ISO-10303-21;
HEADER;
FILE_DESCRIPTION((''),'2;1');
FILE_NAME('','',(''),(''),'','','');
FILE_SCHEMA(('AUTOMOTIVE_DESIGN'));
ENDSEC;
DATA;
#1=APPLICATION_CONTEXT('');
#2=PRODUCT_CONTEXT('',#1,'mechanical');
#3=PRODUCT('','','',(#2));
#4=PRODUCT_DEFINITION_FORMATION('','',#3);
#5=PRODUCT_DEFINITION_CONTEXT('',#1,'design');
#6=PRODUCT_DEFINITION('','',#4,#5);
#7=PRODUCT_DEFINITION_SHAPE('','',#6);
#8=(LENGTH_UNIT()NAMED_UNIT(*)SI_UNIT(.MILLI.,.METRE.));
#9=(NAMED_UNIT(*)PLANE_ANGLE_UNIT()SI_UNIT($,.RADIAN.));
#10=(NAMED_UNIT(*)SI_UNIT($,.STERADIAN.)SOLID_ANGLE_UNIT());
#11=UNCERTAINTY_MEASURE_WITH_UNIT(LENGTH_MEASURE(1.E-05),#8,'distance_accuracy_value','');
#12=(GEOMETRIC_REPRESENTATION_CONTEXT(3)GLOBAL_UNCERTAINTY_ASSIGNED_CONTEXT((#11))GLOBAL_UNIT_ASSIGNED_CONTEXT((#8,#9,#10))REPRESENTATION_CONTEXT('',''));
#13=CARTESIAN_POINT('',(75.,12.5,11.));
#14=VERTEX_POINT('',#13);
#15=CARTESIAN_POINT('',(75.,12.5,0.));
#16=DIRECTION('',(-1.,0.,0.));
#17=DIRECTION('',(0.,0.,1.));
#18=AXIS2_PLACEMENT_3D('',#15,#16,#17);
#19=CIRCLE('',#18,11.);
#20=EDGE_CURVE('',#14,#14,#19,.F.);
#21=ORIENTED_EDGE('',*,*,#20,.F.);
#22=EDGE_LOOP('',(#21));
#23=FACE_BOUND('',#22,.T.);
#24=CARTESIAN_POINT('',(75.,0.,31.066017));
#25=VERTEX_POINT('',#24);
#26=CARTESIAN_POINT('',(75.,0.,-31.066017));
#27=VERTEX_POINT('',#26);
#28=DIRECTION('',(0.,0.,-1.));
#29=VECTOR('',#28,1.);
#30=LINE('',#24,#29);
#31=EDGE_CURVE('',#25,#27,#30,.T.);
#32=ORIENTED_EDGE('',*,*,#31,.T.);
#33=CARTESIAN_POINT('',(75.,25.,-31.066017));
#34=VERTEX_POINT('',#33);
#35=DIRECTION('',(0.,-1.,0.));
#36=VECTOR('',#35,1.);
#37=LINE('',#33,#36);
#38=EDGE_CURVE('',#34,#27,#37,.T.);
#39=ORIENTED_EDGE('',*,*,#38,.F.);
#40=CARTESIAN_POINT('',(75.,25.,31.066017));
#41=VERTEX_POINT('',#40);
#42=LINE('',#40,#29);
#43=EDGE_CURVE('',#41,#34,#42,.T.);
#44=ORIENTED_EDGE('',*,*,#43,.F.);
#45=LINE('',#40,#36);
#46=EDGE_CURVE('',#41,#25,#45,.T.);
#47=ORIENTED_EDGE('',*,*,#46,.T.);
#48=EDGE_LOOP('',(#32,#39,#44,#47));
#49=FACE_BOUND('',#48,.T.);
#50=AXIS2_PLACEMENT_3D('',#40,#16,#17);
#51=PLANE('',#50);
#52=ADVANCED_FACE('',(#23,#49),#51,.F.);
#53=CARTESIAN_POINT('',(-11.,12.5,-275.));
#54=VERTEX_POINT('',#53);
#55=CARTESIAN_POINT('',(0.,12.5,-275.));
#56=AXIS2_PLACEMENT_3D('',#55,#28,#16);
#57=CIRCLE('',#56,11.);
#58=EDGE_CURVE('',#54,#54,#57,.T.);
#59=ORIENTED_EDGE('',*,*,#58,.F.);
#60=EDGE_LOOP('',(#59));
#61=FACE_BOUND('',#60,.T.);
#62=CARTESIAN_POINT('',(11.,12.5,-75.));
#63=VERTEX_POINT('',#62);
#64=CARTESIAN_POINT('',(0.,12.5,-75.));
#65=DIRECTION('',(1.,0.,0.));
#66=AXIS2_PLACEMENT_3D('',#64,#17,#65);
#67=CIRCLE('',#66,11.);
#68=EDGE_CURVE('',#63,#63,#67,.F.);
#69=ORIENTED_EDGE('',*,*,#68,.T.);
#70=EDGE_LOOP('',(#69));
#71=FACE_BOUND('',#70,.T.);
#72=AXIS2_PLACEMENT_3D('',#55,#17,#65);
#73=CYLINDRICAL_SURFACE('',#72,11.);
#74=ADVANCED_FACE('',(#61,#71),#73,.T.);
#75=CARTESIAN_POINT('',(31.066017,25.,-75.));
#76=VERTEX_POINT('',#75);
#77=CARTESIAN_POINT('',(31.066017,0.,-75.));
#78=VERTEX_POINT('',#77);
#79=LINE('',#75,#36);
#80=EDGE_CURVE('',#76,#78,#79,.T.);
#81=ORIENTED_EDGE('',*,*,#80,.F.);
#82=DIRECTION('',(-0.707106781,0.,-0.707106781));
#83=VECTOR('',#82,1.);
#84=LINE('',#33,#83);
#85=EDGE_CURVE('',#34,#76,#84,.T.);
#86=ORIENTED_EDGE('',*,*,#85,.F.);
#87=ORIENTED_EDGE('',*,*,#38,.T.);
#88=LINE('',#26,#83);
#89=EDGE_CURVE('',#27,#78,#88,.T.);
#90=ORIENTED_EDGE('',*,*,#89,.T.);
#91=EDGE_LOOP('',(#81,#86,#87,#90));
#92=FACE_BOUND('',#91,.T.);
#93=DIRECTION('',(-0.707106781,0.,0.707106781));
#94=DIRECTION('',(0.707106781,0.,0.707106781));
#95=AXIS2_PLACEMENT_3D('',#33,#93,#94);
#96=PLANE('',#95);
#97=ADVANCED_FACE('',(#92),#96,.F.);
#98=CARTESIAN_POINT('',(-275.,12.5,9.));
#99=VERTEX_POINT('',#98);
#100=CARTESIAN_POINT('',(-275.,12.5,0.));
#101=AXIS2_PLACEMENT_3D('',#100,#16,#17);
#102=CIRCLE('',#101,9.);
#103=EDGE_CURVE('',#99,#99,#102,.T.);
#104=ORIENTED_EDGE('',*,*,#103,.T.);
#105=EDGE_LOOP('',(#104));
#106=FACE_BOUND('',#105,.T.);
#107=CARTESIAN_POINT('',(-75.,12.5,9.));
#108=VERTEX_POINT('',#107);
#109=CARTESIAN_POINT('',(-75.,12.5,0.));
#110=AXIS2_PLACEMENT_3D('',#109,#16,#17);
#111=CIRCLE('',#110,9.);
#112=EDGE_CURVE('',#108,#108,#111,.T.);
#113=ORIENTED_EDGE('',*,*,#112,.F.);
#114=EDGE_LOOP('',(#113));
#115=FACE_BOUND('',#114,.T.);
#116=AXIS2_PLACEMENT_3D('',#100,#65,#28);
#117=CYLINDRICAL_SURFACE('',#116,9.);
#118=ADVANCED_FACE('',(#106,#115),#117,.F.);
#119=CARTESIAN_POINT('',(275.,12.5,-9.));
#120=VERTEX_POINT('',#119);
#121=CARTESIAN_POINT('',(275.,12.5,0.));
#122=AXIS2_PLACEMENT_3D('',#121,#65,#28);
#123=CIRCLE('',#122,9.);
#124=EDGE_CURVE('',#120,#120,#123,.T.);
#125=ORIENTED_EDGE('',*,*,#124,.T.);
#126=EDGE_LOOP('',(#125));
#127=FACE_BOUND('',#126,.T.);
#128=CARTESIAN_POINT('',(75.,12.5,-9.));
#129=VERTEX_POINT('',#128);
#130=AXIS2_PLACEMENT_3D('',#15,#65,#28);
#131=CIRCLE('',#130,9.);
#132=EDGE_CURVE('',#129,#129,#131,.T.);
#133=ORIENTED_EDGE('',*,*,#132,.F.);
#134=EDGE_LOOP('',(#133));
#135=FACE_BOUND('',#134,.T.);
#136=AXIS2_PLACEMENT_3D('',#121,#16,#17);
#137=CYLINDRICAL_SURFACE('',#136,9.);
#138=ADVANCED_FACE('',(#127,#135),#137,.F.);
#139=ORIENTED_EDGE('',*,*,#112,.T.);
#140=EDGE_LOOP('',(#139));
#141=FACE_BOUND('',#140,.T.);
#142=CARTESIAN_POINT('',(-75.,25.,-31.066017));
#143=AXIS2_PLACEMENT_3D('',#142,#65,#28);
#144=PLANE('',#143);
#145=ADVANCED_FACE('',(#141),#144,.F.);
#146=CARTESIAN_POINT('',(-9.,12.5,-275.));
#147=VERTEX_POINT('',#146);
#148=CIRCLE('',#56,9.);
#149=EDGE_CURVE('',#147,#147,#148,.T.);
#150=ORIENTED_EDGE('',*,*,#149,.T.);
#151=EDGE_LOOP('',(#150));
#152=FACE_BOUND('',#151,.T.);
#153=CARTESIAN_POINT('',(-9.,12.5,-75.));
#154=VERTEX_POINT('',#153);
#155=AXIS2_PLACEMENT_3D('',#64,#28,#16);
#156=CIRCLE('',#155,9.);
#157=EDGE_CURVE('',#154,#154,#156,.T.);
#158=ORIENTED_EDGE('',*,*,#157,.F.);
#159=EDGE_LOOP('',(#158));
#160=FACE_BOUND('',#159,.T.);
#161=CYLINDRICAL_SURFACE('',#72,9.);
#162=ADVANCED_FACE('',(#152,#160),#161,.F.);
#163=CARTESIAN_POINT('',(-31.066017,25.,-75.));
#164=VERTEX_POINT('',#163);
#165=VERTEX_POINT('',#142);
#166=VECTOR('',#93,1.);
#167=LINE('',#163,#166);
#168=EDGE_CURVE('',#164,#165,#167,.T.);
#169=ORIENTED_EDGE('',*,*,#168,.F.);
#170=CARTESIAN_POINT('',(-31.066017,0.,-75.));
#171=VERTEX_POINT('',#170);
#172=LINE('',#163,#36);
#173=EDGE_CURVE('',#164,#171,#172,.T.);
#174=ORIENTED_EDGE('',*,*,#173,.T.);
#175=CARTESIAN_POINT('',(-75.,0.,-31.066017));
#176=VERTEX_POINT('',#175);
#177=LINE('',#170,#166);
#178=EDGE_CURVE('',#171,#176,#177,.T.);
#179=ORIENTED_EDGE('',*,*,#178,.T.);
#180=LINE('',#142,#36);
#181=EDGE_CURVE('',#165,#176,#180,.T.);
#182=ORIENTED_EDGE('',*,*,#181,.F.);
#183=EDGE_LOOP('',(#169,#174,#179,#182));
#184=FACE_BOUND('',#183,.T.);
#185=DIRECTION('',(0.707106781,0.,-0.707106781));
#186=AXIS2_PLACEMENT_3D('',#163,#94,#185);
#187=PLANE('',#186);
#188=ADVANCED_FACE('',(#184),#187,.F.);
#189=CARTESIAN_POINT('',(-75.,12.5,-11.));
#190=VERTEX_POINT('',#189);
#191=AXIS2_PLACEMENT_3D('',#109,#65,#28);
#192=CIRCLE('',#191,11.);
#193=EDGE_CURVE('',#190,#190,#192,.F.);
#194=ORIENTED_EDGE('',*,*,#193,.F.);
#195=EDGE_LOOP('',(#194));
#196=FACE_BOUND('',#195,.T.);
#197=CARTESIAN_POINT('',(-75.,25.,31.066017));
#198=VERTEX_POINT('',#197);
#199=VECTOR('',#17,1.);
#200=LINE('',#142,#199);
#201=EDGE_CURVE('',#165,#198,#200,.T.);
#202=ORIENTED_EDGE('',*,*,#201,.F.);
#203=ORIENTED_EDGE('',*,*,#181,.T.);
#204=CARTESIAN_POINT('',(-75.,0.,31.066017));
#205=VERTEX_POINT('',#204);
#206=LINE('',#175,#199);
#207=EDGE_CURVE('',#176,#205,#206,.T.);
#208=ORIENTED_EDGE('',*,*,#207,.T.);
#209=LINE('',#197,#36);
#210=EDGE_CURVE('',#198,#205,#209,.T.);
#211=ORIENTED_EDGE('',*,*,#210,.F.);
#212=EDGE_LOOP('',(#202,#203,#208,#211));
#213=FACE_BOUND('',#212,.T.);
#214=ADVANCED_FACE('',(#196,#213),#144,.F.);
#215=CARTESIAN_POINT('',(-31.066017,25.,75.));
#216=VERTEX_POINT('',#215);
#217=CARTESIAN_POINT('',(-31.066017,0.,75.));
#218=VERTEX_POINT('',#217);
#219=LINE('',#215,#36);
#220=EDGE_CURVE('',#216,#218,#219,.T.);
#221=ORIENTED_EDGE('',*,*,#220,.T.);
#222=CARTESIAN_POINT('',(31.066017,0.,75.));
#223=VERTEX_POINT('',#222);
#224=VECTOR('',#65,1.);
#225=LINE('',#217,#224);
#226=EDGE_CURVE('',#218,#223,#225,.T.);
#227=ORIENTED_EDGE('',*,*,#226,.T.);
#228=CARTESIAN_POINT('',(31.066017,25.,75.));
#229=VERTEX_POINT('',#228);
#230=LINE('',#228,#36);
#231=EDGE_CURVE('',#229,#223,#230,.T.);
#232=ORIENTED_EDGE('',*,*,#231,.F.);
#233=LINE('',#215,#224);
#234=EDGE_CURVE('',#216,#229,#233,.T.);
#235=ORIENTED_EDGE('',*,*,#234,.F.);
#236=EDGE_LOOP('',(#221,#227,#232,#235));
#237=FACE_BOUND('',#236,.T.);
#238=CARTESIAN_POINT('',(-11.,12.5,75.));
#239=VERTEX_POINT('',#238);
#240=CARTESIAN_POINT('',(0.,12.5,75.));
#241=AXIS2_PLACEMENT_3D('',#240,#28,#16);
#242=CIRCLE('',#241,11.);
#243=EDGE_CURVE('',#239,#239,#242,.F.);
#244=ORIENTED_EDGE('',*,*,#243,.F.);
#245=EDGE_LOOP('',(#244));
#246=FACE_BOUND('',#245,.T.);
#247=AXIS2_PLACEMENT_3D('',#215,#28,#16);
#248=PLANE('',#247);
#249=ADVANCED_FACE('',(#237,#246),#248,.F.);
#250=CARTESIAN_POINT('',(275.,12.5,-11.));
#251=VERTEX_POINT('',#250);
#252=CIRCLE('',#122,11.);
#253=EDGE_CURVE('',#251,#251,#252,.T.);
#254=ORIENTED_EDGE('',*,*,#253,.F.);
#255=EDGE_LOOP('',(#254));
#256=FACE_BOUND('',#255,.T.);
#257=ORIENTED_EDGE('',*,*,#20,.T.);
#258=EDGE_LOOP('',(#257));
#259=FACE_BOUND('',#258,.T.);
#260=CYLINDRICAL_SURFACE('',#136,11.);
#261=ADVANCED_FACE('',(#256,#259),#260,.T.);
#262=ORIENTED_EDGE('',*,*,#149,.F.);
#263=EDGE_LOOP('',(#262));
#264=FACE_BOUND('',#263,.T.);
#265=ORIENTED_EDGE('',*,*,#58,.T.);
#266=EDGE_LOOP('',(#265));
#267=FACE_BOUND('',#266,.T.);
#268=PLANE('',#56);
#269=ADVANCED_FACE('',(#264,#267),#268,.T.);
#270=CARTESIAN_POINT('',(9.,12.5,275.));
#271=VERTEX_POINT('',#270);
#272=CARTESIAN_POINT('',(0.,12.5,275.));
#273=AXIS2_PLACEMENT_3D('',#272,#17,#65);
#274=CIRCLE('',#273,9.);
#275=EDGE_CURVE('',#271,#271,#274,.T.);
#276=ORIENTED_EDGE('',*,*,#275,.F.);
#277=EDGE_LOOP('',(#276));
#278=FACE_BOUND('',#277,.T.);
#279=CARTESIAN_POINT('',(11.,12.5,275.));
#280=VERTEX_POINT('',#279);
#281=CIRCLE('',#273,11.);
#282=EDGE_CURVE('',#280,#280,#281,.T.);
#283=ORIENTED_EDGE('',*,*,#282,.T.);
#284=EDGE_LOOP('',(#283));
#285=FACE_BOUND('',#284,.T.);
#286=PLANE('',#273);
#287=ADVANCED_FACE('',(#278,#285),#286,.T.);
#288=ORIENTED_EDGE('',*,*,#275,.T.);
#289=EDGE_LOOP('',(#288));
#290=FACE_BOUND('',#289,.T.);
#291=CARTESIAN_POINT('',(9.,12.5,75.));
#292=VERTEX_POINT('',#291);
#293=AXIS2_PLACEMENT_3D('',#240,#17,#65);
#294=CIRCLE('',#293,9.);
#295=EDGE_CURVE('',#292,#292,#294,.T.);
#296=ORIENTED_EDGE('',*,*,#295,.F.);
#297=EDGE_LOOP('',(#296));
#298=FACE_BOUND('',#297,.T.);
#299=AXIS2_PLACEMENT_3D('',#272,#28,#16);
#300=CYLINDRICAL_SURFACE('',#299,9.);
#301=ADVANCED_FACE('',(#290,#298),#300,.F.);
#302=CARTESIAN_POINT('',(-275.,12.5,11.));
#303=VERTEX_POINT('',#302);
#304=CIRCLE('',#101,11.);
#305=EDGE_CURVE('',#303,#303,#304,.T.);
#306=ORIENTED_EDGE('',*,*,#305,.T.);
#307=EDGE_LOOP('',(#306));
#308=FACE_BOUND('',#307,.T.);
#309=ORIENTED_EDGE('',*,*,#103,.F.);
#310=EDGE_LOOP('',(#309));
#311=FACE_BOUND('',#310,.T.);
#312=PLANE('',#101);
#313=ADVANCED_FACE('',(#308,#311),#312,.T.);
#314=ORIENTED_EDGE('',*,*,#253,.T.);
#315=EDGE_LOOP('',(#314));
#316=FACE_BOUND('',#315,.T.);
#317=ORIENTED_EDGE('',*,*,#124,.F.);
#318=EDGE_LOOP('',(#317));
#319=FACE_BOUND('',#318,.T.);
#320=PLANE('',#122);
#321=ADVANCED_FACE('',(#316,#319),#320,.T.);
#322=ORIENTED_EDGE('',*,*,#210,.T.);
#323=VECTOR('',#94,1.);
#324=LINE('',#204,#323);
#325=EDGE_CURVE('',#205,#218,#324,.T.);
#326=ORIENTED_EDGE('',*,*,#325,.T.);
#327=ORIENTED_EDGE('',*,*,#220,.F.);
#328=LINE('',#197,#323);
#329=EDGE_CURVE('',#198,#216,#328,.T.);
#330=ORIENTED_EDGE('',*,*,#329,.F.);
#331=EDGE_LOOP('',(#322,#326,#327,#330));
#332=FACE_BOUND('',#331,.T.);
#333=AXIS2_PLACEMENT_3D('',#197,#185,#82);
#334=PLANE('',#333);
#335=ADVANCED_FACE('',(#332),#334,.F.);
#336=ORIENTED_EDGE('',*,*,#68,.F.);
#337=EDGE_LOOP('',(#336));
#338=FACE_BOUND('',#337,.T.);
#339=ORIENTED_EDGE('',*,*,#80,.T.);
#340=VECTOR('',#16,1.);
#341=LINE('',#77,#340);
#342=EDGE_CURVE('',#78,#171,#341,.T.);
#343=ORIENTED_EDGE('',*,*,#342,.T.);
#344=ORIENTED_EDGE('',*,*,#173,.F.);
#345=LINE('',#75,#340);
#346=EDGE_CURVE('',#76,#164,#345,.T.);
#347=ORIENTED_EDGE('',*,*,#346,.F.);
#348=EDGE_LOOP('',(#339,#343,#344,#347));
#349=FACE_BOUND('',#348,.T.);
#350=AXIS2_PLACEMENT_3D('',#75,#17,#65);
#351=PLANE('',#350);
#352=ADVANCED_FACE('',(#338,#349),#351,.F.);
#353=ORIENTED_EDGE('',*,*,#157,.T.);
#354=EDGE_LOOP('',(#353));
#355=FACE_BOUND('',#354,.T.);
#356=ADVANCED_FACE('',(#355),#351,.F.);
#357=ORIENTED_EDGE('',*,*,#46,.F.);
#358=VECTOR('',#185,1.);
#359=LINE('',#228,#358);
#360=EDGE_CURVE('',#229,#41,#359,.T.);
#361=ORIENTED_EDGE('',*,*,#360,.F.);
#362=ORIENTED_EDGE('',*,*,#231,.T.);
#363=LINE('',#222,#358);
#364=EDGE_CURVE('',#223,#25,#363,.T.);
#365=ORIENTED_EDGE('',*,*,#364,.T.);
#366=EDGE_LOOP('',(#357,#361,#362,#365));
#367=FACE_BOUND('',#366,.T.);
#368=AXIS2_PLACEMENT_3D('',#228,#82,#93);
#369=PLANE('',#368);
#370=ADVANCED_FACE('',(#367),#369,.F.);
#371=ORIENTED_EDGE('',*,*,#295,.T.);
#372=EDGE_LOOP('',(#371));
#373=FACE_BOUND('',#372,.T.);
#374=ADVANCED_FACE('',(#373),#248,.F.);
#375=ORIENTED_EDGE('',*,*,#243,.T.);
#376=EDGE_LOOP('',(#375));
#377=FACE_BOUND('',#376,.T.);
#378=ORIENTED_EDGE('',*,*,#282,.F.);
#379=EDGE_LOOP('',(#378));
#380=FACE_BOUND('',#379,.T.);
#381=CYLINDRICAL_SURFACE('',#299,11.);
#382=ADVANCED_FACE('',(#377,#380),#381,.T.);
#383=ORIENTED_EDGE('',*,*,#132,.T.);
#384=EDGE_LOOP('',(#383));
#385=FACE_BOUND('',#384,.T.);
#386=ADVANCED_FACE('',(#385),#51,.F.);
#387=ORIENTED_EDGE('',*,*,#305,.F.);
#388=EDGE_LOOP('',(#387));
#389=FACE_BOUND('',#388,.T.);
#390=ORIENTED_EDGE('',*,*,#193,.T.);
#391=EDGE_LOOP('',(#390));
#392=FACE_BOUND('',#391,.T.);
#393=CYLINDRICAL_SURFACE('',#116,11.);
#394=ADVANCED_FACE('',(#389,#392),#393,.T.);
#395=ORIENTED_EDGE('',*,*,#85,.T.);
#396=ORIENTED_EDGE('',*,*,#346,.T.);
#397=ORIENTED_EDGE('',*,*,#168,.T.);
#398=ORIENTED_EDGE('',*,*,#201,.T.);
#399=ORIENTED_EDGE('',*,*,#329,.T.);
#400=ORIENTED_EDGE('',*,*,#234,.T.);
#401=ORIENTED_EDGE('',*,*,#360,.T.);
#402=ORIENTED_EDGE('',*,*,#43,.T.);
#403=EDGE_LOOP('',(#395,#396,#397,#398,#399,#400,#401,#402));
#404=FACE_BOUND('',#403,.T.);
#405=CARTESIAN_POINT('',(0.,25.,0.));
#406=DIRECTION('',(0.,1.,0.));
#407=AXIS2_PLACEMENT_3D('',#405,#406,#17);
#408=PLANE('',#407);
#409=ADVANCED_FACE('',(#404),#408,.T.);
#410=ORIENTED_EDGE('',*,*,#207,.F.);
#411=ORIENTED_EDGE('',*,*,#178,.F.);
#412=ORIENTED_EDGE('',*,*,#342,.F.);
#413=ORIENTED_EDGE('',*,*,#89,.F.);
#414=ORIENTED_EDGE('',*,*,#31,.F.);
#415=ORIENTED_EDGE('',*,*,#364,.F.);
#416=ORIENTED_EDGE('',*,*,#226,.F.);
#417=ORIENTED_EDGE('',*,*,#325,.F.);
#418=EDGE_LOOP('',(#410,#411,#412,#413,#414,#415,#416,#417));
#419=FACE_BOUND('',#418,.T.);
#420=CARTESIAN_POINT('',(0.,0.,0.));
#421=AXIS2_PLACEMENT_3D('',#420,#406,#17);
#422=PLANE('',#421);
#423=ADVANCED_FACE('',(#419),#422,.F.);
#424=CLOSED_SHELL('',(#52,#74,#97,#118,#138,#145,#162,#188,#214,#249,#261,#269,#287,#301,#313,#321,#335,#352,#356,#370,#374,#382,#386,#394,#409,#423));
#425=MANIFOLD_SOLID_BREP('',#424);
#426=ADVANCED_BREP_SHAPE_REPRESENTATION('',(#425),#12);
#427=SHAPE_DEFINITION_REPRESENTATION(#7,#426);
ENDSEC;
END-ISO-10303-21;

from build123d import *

# Parameters (mm, degrees)
BOSS_EXTRUDE1_DEPTH = 25
SKETCH2_R           = 11
SKETCH2_R_2         = 9
BOSS_EXTRUDE2_DEPTH = 200
CIRPATTERN1_COUNT   = 4


with BuildPart() as part:
    # Sketch1 → Boss-Extrude1 (new body)
    with BuildSketch(Plane(origin=(0, 0, 0), x_dir=(1, 0, 0), z_dir=(0, 1, 0))):
        Polygon((-75, 31.066017178), (-75, -31.066017178), (-31.066017178, -75), (31.066017178, -75), (75, -31.066017178), (75, 31.066017178), (31.066017178, 75), (-31.066017178, 75), align=None)
    extrude(amount=BOSS_EXTRUDE1_DEPTH)

    # Sketch2 → Boss-Extrude2 (add)
    with BuildSketch(Plane.ZY.offset(75)):
        with Locations((0, 12.5)):
            Circle(SKETCH2_R)
        with Locations((0, 12.5)):
            Circle(SKETCH2_R_2, mode=Mode.SUBTRACT)
    boss_extrude2 = extrude(amount=BOSS_EXTRUDE2_DEPTH)

    # CirPattern1: Boss-Extrude2 ×4 about axis
    cirpattern1_axis = Axis((0, 0, 0), (0, 1, 0))
    for i in range(1, CIRPATTERN1_COUNT):
        add(boss_extrude2.rotate(cirpattern1_axis, i * 360 / CIRPATTERN1_COUNT))


solid = part.part
